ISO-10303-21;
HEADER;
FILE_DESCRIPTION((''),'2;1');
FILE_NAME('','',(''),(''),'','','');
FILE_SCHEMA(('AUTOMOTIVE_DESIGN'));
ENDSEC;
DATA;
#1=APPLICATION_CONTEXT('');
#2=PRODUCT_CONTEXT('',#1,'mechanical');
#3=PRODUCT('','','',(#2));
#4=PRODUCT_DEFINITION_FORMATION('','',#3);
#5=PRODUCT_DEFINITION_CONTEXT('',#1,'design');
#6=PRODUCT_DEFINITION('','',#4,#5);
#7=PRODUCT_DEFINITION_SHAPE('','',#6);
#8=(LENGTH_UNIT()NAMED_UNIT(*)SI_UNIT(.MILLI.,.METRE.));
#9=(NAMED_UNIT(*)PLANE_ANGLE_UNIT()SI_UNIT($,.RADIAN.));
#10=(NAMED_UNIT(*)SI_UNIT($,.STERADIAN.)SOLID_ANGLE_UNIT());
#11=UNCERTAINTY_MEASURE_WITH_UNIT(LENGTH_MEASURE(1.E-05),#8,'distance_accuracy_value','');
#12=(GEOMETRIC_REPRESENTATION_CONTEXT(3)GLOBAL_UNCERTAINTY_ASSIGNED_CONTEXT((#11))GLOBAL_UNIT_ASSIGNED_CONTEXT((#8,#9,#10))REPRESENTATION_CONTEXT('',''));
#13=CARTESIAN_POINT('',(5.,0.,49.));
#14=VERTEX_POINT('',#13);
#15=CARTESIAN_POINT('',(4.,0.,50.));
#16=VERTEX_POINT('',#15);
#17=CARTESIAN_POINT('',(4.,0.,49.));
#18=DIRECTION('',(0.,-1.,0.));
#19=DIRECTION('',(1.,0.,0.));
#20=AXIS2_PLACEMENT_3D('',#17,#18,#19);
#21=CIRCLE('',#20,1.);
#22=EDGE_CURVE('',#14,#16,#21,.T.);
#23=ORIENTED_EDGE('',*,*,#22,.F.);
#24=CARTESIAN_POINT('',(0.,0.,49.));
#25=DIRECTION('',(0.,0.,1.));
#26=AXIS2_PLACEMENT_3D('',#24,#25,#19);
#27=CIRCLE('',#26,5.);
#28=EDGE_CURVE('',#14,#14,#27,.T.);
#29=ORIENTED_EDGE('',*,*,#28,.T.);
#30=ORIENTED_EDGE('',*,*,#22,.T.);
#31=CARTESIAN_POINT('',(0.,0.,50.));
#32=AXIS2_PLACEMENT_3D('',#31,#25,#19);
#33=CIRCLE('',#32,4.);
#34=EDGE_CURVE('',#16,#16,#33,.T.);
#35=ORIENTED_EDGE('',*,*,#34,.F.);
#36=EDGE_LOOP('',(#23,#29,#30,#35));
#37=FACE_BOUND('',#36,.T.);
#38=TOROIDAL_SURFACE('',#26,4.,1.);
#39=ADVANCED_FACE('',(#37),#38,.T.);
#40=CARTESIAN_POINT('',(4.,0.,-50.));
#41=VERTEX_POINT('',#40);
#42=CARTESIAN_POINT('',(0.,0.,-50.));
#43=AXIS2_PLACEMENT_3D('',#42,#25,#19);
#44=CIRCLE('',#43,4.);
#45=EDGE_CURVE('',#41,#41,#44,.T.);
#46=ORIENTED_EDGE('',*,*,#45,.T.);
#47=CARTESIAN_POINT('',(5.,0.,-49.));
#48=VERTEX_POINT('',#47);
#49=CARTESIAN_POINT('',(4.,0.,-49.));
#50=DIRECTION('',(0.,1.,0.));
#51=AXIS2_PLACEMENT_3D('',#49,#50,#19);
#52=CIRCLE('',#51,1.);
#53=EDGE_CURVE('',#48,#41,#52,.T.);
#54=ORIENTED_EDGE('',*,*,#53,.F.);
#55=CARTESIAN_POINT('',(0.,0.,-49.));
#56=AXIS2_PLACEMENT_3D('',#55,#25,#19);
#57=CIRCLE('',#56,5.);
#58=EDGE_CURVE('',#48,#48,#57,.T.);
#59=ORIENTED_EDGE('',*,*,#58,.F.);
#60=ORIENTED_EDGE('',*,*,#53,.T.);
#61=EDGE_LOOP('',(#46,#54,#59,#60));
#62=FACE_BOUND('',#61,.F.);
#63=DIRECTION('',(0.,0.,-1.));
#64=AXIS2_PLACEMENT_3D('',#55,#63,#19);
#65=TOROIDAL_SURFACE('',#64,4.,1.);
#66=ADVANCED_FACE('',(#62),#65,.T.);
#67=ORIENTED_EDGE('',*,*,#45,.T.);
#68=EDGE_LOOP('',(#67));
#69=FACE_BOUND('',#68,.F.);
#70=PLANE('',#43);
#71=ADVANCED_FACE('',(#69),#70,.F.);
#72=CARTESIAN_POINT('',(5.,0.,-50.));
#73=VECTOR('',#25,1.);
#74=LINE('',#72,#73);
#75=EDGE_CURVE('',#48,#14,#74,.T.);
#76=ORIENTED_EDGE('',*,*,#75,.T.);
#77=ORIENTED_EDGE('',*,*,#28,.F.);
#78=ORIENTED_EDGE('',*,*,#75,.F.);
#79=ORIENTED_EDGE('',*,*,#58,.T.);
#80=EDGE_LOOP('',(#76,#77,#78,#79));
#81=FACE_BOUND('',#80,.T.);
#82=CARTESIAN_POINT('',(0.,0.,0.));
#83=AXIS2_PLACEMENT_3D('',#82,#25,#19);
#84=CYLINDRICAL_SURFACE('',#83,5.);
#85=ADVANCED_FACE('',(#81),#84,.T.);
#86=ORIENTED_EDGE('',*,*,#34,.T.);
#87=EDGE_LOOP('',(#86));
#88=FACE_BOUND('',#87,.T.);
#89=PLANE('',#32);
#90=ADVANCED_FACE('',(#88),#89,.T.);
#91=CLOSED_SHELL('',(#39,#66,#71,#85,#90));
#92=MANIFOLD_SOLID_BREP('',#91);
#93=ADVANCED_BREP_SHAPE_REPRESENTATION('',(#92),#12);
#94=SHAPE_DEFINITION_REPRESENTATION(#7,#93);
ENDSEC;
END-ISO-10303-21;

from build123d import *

# Parameters (mm, degrees)
F0_R     = 5
F1_DEPTH = 50
F2_R     = 1
F3_R     = 1


with BuildPart() as f1:
    # F0 (on Top) → F1 (new body, symmetric)
    with BuildSketch(Plane.XY):
        Circle(F0_R)
    extrude(amount=F1_DEPTH, both=True)

    # F2
    f2_edges = [f1.edges().sort_by_distance(p)[0] for p in [
        (-5, 0, 50),
    ]]
    fillet(f2_edges, radius=F2_R)

    # F3
    f3_edges = [f1.edges().sort_by_distance(p)[0] for p in [
        (-5, 0, -50),
    ]]
    fillet(f3_edges, radius=F3_R)


solid = f1.part
